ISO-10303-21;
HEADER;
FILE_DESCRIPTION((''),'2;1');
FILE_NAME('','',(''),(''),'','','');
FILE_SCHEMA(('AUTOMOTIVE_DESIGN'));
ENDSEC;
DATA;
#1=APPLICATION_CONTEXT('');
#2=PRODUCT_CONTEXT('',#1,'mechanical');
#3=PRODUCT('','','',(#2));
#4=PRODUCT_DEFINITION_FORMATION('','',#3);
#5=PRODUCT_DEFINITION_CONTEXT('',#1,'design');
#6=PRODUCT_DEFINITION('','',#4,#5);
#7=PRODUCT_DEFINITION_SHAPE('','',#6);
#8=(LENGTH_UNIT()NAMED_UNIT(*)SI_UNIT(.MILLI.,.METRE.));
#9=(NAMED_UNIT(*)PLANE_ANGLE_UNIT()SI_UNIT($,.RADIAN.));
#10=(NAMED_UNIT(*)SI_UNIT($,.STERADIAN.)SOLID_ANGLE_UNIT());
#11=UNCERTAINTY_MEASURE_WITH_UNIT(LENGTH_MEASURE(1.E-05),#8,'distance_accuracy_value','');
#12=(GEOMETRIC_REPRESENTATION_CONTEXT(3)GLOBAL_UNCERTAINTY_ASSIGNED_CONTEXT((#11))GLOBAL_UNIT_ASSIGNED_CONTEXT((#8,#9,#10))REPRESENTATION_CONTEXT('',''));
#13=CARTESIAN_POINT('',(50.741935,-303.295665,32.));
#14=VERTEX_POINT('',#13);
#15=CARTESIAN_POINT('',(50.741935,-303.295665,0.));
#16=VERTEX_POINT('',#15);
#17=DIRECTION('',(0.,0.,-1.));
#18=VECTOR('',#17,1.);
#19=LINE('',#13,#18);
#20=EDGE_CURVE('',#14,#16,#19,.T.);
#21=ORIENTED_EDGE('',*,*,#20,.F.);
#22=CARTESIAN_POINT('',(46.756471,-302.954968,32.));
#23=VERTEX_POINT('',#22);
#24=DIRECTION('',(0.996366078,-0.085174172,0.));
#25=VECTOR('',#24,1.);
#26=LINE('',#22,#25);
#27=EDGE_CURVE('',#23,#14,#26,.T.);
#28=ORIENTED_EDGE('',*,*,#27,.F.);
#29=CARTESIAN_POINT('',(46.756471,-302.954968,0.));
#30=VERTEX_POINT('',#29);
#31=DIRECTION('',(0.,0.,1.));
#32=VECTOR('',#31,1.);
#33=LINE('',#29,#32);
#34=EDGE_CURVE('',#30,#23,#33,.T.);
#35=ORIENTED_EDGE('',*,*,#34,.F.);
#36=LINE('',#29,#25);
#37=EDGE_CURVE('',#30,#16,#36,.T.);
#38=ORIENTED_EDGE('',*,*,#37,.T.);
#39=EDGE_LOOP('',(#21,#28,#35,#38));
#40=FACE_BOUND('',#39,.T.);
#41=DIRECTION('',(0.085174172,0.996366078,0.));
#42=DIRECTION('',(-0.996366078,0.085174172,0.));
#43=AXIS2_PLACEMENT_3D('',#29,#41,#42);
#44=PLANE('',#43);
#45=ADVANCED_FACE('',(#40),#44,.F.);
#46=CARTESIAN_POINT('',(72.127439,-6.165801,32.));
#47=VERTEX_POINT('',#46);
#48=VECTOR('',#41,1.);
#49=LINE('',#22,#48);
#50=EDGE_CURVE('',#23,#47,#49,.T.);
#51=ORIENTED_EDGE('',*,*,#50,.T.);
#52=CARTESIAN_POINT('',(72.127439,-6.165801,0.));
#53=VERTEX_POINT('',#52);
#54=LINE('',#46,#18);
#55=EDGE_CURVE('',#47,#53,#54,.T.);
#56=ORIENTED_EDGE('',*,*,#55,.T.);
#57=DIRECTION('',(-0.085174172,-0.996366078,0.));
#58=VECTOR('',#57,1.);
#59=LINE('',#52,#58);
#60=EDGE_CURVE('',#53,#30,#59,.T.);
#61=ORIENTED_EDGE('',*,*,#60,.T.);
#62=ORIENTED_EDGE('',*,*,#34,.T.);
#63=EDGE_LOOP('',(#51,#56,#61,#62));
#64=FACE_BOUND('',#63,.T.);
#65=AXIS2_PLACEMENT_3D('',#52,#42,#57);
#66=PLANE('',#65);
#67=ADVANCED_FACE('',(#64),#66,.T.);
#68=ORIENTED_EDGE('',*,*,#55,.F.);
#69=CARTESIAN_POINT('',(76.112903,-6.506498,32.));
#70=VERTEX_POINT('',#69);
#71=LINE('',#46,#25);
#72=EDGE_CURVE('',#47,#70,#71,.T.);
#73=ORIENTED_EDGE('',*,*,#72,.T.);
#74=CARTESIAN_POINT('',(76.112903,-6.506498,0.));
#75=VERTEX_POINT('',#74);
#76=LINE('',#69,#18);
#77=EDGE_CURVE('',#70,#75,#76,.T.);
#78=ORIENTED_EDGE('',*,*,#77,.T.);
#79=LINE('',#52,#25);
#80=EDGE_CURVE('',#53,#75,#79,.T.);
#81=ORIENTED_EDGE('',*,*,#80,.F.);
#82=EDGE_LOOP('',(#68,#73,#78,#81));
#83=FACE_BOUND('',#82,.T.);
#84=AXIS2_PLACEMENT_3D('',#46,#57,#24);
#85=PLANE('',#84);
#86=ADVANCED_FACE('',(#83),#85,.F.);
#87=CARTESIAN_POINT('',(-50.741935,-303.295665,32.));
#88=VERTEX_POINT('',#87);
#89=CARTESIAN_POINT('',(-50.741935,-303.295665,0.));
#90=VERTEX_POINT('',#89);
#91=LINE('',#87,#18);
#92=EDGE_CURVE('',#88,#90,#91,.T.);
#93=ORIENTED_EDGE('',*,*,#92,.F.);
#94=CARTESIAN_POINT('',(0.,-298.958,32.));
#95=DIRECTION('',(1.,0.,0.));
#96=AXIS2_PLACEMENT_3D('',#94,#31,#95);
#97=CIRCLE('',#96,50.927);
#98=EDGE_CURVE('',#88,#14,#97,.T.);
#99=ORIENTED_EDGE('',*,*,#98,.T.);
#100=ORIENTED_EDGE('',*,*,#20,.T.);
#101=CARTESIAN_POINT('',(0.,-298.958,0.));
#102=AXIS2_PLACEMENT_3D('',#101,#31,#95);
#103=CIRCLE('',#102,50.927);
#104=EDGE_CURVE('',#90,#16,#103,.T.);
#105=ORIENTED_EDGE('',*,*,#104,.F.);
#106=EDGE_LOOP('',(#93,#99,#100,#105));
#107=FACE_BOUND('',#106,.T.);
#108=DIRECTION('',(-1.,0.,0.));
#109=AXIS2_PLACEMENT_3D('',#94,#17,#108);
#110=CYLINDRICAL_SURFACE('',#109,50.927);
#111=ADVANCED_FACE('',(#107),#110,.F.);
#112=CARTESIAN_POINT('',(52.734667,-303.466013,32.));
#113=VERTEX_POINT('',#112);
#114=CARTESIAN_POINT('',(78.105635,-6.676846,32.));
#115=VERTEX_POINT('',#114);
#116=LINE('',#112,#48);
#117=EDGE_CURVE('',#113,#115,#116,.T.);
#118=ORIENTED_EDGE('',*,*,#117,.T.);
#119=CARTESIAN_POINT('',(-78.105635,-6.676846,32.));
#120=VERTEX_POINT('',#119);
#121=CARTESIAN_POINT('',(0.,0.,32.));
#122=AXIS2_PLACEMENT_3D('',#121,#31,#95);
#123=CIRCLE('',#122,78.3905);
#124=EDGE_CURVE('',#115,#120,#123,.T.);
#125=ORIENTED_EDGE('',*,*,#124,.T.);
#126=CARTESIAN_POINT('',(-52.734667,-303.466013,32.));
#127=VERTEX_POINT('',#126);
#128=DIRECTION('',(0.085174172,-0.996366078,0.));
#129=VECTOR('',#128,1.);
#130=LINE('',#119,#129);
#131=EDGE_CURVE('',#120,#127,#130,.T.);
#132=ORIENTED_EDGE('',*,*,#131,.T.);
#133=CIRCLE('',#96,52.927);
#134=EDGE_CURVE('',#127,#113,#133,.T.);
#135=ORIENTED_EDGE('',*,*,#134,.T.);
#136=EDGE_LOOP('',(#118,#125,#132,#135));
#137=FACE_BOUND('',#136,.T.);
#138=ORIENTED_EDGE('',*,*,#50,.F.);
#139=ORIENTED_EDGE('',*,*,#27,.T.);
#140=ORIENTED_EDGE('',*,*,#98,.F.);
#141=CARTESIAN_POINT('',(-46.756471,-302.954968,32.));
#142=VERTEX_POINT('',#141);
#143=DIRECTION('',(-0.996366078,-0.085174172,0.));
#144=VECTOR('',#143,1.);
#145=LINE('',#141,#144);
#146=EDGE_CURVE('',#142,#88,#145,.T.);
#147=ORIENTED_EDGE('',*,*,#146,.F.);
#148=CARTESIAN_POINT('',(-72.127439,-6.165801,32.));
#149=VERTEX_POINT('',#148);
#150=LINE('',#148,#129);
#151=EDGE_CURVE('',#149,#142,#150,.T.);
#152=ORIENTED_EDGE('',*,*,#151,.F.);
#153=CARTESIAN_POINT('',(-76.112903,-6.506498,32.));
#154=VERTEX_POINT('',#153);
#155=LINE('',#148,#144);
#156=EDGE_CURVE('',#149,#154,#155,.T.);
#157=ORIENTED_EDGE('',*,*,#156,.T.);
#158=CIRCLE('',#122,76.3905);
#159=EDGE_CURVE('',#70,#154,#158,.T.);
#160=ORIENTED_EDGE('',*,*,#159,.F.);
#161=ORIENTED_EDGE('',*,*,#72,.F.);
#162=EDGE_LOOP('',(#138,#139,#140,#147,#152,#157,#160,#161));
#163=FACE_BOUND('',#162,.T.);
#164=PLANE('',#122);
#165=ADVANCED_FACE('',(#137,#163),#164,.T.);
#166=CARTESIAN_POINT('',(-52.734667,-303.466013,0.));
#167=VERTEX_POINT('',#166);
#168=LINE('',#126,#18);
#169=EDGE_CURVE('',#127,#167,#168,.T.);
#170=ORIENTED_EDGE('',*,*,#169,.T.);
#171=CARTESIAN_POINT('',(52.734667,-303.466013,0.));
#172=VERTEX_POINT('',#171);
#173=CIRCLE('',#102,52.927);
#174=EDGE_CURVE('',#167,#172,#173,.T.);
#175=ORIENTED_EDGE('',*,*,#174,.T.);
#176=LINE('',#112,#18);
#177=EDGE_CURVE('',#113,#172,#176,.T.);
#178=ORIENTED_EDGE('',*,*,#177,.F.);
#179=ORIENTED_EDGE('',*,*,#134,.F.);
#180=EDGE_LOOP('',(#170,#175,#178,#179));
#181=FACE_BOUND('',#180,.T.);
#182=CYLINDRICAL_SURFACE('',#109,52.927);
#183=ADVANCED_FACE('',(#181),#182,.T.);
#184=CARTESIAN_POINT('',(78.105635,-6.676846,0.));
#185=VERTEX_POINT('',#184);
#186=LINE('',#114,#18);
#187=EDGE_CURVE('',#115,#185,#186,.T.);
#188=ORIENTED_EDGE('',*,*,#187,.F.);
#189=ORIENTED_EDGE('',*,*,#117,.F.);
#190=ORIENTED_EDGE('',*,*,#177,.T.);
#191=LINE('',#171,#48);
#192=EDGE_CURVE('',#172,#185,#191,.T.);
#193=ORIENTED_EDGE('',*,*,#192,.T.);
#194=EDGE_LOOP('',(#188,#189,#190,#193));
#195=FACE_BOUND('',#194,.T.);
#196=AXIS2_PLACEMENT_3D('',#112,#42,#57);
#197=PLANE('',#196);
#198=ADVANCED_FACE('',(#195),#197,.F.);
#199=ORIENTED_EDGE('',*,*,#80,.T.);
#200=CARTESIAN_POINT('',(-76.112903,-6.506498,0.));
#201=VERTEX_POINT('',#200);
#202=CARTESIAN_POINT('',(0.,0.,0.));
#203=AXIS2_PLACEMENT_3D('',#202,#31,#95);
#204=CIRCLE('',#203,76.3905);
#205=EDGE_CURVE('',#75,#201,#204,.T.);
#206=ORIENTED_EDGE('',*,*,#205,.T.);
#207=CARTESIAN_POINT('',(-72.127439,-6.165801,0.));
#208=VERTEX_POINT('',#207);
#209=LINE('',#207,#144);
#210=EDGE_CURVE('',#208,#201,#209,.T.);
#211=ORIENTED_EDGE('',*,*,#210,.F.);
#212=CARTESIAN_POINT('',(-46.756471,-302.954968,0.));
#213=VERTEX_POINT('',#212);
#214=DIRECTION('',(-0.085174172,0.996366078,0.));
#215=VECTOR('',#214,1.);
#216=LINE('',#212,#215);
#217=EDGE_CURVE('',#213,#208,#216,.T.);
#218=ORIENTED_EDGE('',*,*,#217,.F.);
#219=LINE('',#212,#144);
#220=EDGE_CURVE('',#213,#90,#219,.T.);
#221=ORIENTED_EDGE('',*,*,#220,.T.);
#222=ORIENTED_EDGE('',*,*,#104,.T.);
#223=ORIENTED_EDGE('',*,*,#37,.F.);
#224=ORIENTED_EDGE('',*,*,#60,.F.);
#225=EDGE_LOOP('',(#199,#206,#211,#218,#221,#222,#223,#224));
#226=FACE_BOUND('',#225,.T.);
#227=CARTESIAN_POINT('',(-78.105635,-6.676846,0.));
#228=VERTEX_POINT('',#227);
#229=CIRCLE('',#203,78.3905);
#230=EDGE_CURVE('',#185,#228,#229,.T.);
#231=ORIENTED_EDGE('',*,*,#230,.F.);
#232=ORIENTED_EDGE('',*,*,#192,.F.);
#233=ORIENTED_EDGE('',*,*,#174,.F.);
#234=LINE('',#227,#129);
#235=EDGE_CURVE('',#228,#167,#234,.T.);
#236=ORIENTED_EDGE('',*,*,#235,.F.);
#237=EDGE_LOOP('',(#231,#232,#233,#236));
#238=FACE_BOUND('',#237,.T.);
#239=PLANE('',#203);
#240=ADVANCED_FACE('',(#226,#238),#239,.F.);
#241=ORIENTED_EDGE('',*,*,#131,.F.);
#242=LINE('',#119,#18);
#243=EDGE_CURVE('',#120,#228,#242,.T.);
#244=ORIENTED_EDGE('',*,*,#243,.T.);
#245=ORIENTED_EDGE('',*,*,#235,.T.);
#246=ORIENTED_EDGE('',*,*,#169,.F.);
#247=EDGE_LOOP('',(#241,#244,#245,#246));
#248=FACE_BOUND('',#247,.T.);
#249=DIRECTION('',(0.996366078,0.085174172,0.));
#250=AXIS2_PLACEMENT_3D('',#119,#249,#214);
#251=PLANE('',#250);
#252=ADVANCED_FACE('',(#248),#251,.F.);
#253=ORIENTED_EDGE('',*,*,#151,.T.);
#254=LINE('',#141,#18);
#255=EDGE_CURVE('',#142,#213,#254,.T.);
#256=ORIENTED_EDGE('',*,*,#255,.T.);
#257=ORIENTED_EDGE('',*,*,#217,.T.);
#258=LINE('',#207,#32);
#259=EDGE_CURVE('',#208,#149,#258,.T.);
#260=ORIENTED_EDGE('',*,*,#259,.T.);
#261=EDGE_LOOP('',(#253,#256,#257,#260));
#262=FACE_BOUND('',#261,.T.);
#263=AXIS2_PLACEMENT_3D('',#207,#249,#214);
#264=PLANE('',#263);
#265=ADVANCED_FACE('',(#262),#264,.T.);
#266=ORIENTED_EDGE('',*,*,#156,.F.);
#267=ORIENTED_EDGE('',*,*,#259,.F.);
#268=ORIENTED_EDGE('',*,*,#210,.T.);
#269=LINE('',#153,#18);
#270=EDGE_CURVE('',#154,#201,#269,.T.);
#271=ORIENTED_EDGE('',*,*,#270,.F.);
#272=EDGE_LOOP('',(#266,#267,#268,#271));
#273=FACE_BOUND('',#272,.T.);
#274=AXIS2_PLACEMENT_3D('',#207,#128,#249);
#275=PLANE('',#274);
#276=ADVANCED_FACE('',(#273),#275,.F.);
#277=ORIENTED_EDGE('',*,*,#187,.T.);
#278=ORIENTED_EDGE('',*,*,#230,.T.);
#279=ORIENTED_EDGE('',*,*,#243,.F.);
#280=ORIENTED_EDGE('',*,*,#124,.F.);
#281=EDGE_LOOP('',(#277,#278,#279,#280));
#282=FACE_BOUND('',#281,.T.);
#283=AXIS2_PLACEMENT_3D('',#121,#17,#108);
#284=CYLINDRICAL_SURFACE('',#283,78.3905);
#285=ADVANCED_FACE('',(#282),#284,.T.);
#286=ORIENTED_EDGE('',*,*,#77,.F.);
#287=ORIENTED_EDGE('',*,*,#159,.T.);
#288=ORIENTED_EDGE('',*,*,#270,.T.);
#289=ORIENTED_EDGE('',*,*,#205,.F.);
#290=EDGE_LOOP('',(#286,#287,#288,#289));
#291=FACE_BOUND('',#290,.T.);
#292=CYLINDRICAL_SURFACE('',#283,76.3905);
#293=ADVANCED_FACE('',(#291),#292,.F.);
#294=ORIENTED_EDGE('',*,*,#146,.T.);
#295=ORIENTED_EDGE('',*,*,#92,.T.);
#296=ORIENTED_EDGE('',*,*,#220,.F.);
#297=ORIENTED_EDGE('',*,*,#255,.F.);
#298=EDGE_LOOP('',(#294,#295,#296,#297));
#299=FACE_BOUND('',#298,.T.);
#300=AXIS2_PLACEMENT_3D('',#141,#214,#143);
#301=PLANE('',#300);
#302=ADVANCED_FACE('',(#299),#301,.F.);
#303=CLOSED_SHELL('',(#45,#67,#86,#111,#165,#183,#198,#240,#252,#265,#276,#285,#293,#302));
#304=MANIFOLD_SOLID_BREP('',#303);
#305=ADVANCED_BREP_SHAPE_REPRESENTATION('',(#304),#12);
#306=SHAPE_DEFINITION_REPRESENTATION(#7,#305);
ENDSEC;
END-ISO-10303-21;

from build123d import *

# Parameters (mm, degrees)
BOSS_EXTRUDE1_DEPTH = 32
SKETCH2_W           = 32
SKETCH2_H           = 297.871609812
BOSS_EXTRUDE2_DEPTH = 4
SKETCH3_W           = 32
SKETCH3_H           = 297.871609812
BOSS_EXTRUDE3_DEPTH = 4


with BuildPart() as part:
    # Sketch1 → Boss-Extrude1 (new body)
    with BuildSketch(Plane.XY):
        with BuildLine():
            Line((-78.105635002, -6.676845901), (-52.734667386, -303.466013381))
            ThreePointArc((-52.734667386, -303.466013381), (0, -351.885), (52.734667386, -303.466013381))
            Line((52.734667386, -303.466013381), (78.105635002, -6.676845901))
            ThreePointArc((78.105635002, -6.676845901), (0, 78.3905), (-78.105635002, -6.676845901))
        make_face()
        with BuildLine():
            Line((-76.112902847, -6.506497557), (-50.741935231, -303.295665038))
            ThreePointArc((-50.741935231, -303.295665038), (0, -349.885), (50.741935231, -303.295665038))
            Line((50.741935231, -303.295665038), (76.112902847, -6.506497557))
            ThreePointArc((76.112902847, -6.506497557), (0, 76.3905), (-76.112902847, -6.506497557))
        make_face(mode=Mode.SUBTRACT)
    extrude(amount=BOSS_EXTRUDE1_DEPTH)

    # Sketch2 → Boss-Extrude2 (add)
    with BuildSketch(Plane(origin=(76.112902847, -6.506497557, 0), x_dir=(0, 0, 1), z_dir=(-0.996366077547994, 0.08517417162276966, 0))):
        with Locations((16, -148.935804906)):
            Rectangle(SKETCH2_W, SKETCH2_H)
    extrude(amount=BOSS_EXTRUDE2_DEPTH)

    # Sketch3 → Boss-Extrude3 (add)
    with BuildSketch(Plane(origin=(-76.112902847, -6.506497557, 0), x_dir=(0, 0, -1), z_dir=(0.9963660775479939, 0.08517417162276988, 0))):
        with Locations((-16, -148.935804906)):
            Rectangle(SKETCH3_W, SKETCH3_H)
    extrude(amount=BOSS_EXTRUDE3_DEPTH)


solid = part.part
